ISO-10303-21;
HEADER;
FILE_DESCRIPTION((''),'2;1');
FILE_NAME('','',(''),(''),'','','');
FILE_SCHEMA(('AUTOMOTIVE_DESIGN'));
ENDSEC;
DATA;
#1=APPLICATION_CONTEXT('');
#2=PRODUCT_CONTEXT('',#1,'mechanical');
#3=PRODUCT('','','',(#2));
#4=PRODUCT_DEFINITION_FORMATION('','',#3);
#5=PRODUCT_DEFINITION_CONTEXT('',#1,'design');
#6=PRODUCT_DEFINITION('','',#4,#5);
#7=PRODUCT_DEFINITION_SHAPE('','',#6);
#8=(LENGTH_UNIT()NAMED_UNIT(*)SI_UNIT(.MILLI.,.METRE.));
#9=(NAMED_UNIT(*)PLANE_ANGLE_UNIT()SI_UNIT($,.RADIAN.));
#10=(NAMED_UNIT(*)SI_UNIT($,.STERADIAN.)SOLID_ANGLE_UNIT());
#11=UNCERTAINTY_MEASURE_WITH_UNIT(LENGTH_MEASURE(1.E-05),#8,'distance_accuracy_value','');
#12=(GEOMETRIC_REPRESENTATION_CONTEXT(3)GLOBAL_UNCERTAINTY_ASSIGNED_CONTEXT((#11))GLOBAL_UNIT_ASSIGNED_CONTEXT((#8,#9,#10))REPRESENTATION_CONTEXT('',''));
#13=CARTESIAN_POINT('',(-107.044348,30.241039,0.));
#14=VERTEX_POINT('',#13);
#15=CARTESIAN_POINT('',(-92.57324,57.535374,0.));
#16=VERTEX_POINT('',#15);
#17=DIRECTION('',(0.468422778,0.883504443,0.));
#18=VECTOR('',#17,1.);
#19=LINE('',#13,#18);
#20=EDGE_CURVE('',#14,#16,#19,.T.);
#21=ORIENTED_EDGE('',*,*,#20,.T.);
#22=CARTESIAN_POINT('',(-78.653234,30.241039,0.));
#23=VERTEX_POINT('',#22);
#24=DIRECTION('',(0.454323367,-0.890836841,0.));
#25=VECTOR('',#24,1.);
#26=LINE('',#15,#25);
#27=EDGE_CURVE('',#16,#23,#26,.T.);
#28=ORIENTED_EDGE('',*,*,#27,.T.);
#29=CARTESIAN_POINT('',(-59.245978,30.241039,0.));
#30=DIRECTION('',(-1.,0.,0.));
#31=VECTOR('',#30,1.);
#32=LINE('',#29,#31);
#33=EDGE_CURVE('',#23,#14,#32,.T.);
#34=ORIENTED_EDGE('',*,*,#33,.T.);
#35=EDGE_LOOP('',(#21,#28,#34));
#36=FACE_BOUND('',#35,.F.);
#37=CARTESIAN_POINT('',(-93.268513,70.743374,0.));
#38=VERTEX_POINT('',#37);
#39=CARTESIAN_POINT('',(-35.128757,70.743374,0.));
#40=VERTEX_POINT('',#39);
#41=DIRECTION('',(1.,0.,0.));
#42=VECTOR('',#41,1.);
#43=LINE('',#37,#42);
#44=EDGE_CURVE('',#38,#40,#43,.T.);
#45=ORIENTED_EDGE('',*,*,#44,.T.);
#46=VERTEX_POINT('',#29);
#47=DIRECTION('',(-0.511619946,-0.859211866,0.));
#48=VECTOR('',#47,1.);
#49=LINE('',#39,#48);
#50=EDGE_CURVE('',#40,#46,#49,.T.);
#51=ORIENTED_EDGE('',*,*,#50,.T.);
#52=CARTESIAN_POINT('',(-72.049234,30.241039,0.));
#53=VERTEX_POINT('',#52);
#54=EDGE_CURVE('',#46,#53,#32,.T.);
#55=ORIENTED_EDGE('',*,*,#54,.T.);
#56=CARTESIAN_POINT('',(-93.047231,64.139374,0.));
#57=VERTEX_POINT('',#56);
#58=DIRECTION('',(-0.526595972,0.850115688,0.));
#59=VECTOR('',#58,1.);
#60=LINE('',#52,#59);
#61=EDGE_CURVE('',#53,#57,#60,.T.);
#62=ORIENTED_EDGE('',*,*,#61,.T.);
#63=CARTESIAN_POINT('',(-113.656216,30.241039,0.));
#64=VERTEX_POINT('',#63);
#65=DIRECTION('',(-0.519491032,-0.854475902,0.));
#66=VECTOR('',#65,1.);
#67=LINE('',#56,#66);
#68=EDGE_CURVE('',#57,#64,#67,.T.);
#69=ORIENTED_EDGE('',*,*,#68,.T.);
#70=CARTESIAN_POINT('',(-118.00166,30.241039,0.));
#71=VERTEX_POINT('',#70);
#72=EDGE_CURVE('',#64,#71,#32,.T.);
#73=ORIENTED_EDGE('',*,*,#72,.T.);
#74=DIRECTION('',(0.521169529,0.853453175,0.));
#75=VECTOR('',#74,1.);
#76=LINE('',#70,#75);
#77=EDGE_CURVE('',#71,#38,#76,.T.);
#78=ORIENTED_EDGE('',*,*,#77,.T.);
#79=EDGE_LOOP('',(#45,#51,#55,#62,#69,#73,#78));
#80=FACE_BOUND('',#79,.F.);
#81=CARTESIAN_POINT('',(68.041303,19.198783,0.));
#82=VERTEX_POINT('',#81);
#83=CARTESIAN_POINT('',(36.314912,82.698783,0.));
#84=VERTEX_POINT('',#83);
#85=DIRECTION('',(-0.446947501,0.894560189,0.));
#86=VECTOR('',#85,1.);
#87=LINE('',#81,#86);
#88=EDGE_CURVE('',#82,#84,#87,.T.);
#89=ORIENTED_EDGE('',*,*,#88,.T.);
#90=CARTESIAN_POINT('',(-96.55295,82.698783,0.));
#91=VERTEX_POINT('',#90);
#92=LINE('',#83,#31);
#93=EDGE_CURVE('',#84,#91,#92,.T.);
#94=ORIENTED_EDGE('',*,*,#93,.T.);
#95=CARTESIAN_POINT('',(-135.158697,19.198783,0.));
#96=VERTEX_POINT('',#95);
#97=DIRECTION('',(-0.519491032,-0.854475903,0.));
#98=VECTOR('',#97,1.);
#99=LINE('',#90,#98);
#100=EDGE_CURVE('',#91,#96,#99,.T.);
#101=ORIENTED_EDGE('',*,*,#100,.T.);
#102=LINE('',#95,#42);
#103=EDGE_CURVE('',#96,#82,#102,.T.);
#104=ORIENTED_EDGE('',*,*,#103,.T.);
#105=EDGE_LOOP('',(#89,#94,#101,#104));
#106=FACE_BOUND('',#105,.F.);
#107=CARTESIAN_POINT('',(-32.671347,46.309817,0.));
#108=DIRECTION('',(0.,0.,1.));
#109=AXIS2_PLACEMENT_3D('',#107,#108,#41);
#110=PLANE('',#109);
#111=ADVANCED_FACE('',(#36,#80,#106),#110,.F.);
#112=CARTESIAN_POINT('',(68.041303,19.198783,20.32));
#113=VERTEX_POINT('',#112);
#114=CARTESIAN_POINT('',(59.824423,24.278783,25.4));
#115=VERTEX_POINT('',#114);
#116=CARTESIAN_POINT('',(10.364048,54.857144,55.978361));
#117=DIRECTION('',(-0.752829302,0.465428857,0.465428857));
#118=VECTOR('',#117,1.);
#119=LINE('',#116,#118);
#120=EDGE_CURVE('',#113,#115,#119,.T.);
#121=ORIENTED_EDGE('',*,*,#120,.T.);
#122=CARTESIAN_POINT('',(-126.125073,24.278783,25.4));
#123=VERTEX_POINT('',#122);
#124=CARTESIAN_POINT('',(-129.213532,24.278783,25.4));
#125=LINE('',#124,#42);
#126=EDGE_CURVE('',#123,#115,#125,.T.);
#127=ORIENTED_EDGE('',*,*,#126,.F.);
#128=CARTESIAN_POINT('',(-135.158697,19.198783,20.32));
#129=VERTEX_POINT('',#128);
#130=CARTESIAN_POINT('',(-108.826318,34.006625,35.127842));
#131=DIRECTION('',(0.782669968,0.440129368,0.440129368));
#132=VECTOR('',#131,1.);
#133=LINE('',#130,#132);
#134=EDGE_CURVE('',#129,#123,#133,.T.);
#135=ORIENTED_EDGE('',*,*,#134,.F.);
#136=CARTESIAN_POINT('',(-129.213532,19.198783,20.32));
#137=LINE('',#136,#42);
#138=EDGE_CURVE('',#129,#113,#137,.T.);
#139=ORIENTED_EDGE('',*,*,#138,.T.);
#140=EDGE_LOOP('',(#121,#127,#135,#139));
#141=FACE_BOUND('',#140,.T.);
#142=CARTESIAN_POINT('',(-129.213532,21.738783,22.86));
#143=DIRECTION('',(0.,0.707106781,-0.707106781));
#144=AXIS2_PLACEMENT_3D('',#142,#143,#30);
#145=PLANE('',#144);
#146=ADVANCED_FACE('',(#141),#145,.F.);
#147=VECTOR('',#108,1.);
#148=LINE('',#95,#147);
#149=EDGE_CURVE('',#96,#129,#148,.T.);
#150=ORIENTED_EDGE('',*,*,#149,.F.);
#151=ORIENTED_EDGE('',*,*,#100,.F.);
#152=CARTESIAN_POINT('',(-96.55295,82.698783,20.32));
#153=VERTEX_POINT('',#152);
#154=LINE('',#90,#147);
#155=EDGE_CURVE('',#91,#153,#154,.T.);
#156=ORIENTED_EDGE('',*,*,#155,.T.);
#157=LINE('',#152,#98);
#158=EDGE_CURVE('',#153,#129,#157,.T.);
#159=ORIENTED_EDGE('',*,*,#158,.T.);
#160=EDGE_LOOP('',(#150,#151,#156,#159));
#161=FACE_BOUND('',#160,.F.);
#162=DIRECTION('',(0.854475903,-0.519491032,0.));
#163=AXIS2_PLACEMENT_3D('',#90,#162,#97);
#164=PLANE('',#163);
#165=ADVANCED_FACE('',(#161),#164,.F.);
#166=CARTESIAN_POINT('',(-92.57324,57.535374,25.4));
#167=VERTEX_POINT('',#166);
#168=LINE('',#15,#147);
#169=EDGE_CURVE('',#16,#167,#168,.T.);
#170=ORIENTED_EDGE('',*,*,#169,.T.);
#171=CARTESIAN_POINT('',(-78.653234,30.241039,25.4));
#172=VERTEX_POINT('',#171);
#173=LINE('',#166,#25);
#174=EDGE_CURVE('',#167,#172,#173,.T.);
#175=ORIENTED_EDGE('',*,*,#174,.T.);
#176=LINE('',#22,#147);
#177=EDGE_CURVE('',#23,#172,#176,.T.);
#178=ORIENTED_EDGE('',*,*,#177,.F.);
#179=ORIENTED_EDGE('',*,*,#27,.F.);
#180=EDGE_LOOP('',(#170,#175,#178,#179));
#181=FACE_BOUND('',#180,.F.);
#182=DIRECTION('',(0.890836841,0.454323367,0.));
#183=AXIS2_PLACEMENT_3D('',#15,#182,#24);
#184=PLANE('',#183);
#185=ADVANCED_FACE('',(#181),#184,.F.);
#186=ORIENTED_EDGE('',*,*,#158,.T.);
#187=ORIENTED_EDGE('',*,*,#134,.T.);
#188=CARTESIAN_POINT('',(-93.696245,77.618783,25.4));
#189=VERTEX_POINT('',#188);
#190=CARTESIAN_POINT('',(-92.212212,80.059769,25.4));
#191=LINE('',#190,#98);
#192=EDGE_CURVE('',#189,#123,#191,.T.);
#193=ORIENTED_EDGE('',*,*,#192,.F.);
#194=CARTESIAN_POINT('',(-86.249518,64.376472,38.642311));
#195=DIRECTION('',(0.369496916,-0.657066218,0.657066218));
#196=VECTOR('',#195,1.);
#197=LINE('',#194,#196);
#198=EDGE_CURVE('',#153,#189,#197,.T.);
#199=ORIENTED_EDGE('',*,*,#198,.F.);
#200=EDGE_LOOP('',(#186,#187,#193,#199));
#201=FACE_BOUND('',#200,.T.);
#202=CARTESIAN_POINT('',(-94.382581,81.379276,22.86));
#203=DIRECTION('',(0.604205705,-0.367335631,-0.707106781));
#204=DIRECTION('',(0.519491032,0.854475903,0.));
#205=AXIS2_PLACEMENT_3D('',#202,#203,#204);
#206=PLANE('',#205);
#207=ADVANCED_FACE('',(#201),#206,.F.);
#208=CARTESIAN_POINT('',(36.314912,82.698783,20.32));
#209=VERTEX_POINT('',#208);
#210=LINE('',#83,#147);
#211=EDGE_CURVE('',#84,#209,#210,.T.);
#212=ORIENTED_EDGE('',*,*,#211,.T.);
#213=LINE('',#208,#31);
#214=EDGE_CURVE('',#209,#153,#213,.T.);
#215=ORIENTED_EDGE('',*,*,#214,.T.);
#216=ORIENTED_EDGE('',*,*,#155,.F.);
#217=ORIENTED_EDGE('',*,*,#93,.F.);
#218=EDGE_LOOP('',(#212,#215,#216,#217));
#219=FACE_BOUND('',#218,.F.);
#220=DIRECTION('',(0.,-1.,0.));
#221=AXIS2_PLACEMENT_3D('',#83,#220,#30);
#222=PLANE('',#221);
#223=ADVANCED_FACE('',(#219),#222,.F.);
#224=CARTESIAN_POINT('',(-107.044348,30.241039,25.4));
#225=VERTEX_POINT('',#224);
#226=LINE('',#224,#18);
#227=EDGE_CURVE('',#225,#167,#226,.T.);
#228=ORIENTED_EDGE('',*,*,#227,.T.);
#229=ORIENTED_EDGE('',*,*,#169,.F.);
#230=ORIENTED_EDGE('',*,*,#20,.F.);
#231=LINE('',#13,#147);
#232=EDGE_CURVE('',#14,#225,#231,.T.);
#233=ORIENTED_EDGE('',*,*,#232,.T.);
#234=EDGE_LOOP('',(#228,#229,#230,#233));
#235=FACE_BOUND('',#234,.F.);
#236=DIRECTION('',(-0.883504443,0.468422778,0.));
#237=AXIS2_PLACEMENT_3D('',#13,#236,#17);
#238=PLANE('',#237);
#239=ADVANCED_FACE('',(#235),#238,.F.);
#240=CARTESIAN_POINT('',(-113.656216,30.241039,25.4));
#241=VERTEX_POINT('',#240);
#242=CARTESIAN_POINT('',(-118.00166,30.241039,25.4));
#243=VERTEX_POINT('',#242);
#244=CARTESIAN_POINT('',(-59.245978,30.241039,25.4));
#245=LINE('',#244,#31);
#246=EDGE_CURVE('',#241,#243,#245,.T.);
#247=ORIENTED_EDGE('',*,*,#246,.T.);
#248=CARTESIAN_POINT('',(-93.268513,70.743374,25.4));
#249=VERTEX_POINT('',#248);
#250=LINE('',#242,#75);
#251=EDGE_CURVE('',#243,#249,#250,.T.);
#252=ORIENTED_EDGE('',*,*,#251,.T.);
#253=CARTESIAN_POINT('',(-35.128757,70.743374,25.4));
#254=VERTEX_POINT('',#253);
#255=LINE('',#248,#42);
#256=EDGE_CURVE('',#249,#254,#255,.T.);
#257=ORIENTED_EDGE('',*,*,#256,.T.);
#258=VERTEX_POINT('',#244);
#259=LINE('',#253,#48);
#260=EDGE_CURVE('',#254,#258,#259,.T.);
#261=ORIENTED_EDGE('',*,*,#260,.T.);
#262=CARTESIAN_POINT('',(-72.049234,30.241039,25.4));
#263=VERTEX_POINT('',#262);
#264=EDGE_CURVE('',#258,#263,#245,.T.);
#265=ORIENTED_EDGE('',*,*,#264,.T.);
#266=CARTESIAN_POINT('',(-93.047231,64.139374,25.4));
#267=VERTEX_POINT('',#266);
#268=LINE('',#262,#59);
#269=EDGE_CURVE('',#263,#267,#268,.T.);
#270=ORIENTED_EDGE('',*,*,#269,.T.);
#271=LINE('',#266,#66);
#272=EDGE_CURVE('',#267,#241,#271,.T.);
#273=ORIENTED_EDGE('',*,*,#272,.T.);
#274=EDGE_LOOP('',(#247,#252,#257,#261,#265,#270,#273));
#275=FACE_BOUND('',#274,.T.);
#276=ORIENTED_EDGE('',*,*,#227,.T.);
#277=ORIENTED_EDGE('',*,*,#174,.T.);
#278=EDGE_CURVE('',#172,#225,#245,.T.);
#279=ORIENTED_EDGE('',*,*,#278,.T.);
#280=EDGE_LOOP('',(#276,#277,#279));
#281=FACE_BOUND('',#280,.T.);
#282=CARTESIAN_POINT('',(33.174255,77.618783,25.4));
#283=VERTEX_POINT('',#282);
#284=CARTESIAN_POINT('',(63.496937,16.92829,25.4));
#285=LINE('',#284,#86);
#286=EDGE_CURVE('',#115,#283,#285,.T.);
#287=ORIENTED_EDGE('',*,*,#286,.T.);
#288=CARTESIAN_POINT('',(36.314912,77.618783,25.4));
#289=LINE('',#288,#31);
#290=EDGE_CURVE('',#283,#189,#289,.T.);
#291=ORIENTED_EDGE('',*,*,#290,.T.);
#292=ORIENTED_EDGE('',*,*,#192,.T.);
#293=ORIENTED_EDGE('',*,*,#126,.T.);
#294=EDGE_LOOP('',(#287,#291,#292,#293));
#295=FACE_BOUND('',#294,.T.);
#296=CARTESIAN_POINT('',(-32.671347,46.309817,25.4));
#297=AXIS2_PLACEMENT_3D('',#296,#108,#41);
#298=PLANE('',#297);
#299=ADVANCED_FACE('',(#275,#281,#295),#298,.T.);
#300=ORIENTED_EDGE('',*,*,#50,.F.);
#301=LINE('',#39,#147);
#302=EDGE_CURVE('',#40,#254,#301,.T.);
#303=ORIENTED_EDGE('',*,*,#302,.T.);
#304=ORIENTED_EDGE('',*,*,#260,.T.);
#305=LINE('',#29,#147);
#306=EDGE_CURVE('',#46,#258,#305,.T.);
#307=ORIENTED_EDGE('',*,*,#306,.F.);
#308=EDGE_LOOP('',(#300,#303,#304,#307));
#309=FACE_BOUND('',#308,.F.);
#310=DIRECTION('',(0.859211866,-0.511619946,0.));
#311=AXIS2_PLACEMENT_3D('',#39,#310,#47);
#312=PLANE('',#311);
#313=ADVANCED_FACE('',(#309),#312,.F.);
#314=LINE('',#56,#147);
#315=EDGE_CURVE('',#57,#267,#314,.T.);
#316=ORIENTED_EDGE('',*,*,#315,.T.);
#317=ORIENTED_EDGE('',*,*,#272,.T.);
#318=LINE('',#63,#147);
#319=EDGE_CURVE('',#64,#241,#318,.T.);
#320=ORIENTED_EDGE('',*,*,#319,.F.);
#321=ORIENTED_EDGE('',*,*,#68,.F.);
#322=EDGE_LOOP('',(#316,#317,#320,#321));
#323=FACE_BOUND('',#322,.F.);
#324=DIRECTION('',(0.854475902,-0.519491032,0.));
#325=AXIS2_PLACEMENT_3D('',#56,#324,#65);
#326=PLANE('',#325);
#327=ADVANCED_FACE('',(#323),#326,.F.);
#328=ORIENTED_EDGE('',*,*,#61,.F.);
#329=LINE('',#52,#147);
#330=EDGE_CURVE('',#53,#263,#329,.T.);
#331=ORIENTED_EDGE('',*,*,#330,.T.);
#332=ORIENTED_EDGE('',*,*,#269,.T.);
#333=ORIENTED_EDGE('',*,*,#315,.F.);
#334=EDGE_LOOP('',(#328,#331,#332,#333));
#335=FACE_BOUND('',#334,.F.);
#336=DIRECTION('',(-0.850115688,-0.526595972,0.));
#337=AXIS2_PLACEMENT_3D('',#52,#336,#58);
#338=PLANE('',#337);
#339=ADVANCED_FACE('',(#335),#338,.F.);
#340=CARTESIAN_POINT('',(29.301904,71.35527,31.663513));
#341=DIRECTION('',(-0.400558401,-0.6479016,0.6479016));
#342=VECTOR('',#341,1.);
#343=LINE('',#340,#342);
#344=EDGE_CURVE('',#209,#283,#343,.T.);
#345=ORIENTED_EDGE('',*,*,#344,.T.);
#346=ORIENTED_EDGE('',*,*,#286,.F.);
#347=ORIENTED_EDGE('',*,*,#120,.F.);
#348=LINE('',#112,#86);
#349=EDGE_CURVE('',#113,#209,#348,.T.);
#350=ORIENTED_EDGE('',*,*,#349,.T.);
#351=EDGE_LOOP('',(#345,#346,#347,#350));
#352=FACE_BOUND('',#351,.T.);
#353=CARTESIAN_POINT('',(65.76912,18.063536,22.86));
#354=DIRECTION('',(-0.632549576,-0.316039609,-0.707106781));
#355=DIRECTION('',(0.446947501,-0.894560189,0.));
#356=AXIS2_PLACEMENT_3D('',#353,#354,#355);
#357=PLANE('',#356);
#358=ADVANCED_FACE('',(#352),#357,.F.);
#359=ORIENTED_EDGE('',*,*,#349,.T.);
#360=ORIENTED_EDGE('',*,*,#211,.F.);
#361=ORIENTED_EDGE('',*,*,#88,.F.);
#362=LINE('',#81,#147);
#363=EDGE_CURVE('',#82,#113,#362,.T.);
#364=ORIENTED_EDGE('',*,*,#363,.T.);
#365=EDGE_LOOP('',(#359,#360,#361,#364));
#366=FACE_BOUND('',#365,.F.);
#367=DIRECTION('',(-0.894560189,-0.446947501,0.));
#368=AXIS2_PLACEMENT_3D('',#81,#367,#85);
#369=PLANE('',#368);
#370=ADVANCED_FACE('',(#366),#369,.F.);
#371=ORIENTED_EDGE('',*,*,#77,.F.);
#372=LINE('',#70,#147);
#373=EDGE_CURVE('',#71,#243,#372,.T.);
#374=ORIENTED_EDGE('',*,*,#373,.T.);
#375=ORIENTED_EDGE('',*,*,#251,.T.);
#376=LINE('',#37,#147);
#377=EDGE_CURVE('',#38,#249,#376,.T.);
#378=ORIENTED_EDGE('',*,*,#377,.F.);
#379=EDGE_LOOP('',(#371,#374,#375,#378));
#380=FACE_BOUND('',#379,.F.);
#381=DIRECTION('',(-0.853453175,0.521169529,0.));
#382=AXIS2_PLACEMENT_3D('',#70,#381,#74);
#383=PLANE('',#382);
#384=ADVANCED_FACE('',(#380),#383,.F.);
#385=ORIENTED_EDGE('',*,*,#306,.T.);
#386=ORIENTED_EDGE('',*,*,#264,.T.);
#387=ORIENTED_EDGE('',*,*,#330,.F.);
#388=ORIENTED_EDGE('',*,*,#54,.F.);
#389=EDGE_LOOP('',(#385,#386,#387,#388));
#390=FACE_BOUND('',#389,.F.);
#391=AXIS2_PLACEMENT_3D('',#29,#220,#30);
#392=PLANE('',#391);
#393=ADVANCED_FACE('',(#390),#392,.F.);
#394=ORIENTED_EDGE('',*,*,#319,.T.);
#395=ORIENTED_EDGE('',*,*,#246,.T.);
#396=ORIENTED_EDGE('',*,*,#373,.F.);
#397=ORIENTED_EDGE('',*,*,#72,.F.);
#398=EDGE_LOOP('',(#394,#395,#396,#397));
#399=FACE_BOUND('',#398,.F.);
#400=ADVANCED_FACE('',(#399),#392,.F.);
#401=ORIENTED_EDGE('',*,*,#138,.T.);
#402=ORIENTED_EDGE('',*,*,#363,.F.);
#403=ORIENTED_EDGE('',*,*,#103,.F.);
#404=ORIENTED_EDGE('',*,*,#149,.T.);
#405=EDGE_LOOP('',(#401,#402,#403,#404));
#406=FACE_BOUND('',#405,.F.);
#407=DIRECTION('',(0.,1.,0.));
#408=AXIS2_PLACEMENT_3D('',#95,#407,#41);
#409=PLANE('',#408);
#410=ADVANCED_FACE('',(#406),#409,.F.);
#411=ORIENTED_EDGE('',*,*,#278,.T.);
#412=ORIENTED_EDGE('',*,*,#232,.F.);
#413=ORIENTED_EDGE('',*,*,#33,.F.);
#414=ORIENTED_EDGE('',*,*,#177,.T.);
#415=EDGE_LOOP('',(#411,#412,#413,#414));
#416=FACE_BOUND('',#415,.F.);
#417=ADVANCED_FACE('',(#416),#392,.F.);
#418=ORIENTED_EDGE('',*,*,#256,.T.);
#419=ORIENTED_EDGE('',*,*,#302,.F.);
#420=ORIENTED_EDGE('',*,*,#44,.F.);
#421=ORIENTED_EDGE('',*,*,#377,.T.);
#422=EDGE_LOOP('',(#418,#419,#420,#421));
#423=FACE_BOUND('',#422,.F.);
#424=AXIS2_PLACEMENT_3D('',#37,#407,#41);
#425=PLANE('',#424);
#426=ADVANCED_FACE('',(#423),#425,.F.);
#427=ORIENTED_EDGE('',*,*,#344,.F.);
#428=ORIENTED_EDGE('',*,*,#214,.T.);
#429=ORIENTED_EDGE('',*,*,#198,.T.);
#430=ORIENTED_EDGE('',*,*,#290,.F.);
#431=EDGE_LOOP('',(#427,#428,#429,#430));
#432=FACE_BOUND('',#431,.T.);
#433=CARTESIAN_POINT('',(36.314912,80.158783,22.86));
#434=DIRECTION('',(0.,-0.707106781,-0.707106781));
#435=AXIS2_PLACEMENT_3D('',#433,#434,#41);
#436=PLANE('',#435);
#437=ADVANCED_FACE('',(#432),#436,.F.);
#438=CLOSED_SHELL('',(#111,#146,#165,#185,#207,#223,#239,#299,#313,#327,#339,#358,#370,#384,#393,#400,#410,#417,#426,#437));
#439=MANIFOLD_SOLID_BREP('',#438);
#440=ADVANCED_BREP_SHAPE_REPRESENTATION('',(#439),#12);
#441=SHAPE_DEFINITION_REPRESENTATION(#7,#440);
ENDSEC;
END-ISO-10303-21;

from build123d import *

# Parameters (mm, degrees)
F1_DEPTH = 25.4
F2_SIZE  = 5.08
F3_SIZE  = 5.08
F4_DEPTH = 25.4


with BuildPart() as f1:
    # F0 (on Top) → F1 (new body)
    with BuildSketch(Plane.XY):
        Polygon((-96.55295, 82.698783), (-135.158697, 19.198783), (68.041303, 19.198783), (36.314912, 82.698783), align=None)
        Polygon((-107.044348, 30.241039), (-113.656216, 30.241039), (-118.00166, 30.241039), (-93.268513, 70.743374), (-86.106063, 70.743374), (-79.70608, 70.743374), (-73.083729, 70.743374), (-48.325919, 70.743374), (-41.849952, 70.743374), (-35.128757, 70.743374), (-59.245978, 30.241039), (-66.7454, 30.241039), (-72.049234, 30.241039), (-78.653234, 30.241039), align=None, mode=Mode.SUBTRACT)
    extrude(amount=F1_DEPTH)

    # F2
    f2_edges = [f1.edges().sort_by_distance(p)[0] for p in [
        (-30.119019, 82.698783, 25.4),
        (-115.855824, 50.948783, 25.4),
        (52.178107, 50.948783, 25.4),
    ]]
    chamfer(f2_edges, length=F2_SIZE)

    # F3
    f3_edges = [f1.edges().sort_by_distance(p)[0] for p in [
        (-33.425499, 19.198783, 25.4),
    ]]
    chamfer(f3_edges, length=F3_SIZE)

    # F0 (on Top) → F4 (join)
    with BuildSketch(Plane.XY):
        Polygon((-72.049234, 30.241039), (-93.047231, 64.139374), (-113.656216, 30.241039), (-107.044348, 30.241039), (-92.57324, 57.535374), (-78.653234, 30.241039), align=None)
    extrude(amount=F4_DEPTH)


solid = f1.part
